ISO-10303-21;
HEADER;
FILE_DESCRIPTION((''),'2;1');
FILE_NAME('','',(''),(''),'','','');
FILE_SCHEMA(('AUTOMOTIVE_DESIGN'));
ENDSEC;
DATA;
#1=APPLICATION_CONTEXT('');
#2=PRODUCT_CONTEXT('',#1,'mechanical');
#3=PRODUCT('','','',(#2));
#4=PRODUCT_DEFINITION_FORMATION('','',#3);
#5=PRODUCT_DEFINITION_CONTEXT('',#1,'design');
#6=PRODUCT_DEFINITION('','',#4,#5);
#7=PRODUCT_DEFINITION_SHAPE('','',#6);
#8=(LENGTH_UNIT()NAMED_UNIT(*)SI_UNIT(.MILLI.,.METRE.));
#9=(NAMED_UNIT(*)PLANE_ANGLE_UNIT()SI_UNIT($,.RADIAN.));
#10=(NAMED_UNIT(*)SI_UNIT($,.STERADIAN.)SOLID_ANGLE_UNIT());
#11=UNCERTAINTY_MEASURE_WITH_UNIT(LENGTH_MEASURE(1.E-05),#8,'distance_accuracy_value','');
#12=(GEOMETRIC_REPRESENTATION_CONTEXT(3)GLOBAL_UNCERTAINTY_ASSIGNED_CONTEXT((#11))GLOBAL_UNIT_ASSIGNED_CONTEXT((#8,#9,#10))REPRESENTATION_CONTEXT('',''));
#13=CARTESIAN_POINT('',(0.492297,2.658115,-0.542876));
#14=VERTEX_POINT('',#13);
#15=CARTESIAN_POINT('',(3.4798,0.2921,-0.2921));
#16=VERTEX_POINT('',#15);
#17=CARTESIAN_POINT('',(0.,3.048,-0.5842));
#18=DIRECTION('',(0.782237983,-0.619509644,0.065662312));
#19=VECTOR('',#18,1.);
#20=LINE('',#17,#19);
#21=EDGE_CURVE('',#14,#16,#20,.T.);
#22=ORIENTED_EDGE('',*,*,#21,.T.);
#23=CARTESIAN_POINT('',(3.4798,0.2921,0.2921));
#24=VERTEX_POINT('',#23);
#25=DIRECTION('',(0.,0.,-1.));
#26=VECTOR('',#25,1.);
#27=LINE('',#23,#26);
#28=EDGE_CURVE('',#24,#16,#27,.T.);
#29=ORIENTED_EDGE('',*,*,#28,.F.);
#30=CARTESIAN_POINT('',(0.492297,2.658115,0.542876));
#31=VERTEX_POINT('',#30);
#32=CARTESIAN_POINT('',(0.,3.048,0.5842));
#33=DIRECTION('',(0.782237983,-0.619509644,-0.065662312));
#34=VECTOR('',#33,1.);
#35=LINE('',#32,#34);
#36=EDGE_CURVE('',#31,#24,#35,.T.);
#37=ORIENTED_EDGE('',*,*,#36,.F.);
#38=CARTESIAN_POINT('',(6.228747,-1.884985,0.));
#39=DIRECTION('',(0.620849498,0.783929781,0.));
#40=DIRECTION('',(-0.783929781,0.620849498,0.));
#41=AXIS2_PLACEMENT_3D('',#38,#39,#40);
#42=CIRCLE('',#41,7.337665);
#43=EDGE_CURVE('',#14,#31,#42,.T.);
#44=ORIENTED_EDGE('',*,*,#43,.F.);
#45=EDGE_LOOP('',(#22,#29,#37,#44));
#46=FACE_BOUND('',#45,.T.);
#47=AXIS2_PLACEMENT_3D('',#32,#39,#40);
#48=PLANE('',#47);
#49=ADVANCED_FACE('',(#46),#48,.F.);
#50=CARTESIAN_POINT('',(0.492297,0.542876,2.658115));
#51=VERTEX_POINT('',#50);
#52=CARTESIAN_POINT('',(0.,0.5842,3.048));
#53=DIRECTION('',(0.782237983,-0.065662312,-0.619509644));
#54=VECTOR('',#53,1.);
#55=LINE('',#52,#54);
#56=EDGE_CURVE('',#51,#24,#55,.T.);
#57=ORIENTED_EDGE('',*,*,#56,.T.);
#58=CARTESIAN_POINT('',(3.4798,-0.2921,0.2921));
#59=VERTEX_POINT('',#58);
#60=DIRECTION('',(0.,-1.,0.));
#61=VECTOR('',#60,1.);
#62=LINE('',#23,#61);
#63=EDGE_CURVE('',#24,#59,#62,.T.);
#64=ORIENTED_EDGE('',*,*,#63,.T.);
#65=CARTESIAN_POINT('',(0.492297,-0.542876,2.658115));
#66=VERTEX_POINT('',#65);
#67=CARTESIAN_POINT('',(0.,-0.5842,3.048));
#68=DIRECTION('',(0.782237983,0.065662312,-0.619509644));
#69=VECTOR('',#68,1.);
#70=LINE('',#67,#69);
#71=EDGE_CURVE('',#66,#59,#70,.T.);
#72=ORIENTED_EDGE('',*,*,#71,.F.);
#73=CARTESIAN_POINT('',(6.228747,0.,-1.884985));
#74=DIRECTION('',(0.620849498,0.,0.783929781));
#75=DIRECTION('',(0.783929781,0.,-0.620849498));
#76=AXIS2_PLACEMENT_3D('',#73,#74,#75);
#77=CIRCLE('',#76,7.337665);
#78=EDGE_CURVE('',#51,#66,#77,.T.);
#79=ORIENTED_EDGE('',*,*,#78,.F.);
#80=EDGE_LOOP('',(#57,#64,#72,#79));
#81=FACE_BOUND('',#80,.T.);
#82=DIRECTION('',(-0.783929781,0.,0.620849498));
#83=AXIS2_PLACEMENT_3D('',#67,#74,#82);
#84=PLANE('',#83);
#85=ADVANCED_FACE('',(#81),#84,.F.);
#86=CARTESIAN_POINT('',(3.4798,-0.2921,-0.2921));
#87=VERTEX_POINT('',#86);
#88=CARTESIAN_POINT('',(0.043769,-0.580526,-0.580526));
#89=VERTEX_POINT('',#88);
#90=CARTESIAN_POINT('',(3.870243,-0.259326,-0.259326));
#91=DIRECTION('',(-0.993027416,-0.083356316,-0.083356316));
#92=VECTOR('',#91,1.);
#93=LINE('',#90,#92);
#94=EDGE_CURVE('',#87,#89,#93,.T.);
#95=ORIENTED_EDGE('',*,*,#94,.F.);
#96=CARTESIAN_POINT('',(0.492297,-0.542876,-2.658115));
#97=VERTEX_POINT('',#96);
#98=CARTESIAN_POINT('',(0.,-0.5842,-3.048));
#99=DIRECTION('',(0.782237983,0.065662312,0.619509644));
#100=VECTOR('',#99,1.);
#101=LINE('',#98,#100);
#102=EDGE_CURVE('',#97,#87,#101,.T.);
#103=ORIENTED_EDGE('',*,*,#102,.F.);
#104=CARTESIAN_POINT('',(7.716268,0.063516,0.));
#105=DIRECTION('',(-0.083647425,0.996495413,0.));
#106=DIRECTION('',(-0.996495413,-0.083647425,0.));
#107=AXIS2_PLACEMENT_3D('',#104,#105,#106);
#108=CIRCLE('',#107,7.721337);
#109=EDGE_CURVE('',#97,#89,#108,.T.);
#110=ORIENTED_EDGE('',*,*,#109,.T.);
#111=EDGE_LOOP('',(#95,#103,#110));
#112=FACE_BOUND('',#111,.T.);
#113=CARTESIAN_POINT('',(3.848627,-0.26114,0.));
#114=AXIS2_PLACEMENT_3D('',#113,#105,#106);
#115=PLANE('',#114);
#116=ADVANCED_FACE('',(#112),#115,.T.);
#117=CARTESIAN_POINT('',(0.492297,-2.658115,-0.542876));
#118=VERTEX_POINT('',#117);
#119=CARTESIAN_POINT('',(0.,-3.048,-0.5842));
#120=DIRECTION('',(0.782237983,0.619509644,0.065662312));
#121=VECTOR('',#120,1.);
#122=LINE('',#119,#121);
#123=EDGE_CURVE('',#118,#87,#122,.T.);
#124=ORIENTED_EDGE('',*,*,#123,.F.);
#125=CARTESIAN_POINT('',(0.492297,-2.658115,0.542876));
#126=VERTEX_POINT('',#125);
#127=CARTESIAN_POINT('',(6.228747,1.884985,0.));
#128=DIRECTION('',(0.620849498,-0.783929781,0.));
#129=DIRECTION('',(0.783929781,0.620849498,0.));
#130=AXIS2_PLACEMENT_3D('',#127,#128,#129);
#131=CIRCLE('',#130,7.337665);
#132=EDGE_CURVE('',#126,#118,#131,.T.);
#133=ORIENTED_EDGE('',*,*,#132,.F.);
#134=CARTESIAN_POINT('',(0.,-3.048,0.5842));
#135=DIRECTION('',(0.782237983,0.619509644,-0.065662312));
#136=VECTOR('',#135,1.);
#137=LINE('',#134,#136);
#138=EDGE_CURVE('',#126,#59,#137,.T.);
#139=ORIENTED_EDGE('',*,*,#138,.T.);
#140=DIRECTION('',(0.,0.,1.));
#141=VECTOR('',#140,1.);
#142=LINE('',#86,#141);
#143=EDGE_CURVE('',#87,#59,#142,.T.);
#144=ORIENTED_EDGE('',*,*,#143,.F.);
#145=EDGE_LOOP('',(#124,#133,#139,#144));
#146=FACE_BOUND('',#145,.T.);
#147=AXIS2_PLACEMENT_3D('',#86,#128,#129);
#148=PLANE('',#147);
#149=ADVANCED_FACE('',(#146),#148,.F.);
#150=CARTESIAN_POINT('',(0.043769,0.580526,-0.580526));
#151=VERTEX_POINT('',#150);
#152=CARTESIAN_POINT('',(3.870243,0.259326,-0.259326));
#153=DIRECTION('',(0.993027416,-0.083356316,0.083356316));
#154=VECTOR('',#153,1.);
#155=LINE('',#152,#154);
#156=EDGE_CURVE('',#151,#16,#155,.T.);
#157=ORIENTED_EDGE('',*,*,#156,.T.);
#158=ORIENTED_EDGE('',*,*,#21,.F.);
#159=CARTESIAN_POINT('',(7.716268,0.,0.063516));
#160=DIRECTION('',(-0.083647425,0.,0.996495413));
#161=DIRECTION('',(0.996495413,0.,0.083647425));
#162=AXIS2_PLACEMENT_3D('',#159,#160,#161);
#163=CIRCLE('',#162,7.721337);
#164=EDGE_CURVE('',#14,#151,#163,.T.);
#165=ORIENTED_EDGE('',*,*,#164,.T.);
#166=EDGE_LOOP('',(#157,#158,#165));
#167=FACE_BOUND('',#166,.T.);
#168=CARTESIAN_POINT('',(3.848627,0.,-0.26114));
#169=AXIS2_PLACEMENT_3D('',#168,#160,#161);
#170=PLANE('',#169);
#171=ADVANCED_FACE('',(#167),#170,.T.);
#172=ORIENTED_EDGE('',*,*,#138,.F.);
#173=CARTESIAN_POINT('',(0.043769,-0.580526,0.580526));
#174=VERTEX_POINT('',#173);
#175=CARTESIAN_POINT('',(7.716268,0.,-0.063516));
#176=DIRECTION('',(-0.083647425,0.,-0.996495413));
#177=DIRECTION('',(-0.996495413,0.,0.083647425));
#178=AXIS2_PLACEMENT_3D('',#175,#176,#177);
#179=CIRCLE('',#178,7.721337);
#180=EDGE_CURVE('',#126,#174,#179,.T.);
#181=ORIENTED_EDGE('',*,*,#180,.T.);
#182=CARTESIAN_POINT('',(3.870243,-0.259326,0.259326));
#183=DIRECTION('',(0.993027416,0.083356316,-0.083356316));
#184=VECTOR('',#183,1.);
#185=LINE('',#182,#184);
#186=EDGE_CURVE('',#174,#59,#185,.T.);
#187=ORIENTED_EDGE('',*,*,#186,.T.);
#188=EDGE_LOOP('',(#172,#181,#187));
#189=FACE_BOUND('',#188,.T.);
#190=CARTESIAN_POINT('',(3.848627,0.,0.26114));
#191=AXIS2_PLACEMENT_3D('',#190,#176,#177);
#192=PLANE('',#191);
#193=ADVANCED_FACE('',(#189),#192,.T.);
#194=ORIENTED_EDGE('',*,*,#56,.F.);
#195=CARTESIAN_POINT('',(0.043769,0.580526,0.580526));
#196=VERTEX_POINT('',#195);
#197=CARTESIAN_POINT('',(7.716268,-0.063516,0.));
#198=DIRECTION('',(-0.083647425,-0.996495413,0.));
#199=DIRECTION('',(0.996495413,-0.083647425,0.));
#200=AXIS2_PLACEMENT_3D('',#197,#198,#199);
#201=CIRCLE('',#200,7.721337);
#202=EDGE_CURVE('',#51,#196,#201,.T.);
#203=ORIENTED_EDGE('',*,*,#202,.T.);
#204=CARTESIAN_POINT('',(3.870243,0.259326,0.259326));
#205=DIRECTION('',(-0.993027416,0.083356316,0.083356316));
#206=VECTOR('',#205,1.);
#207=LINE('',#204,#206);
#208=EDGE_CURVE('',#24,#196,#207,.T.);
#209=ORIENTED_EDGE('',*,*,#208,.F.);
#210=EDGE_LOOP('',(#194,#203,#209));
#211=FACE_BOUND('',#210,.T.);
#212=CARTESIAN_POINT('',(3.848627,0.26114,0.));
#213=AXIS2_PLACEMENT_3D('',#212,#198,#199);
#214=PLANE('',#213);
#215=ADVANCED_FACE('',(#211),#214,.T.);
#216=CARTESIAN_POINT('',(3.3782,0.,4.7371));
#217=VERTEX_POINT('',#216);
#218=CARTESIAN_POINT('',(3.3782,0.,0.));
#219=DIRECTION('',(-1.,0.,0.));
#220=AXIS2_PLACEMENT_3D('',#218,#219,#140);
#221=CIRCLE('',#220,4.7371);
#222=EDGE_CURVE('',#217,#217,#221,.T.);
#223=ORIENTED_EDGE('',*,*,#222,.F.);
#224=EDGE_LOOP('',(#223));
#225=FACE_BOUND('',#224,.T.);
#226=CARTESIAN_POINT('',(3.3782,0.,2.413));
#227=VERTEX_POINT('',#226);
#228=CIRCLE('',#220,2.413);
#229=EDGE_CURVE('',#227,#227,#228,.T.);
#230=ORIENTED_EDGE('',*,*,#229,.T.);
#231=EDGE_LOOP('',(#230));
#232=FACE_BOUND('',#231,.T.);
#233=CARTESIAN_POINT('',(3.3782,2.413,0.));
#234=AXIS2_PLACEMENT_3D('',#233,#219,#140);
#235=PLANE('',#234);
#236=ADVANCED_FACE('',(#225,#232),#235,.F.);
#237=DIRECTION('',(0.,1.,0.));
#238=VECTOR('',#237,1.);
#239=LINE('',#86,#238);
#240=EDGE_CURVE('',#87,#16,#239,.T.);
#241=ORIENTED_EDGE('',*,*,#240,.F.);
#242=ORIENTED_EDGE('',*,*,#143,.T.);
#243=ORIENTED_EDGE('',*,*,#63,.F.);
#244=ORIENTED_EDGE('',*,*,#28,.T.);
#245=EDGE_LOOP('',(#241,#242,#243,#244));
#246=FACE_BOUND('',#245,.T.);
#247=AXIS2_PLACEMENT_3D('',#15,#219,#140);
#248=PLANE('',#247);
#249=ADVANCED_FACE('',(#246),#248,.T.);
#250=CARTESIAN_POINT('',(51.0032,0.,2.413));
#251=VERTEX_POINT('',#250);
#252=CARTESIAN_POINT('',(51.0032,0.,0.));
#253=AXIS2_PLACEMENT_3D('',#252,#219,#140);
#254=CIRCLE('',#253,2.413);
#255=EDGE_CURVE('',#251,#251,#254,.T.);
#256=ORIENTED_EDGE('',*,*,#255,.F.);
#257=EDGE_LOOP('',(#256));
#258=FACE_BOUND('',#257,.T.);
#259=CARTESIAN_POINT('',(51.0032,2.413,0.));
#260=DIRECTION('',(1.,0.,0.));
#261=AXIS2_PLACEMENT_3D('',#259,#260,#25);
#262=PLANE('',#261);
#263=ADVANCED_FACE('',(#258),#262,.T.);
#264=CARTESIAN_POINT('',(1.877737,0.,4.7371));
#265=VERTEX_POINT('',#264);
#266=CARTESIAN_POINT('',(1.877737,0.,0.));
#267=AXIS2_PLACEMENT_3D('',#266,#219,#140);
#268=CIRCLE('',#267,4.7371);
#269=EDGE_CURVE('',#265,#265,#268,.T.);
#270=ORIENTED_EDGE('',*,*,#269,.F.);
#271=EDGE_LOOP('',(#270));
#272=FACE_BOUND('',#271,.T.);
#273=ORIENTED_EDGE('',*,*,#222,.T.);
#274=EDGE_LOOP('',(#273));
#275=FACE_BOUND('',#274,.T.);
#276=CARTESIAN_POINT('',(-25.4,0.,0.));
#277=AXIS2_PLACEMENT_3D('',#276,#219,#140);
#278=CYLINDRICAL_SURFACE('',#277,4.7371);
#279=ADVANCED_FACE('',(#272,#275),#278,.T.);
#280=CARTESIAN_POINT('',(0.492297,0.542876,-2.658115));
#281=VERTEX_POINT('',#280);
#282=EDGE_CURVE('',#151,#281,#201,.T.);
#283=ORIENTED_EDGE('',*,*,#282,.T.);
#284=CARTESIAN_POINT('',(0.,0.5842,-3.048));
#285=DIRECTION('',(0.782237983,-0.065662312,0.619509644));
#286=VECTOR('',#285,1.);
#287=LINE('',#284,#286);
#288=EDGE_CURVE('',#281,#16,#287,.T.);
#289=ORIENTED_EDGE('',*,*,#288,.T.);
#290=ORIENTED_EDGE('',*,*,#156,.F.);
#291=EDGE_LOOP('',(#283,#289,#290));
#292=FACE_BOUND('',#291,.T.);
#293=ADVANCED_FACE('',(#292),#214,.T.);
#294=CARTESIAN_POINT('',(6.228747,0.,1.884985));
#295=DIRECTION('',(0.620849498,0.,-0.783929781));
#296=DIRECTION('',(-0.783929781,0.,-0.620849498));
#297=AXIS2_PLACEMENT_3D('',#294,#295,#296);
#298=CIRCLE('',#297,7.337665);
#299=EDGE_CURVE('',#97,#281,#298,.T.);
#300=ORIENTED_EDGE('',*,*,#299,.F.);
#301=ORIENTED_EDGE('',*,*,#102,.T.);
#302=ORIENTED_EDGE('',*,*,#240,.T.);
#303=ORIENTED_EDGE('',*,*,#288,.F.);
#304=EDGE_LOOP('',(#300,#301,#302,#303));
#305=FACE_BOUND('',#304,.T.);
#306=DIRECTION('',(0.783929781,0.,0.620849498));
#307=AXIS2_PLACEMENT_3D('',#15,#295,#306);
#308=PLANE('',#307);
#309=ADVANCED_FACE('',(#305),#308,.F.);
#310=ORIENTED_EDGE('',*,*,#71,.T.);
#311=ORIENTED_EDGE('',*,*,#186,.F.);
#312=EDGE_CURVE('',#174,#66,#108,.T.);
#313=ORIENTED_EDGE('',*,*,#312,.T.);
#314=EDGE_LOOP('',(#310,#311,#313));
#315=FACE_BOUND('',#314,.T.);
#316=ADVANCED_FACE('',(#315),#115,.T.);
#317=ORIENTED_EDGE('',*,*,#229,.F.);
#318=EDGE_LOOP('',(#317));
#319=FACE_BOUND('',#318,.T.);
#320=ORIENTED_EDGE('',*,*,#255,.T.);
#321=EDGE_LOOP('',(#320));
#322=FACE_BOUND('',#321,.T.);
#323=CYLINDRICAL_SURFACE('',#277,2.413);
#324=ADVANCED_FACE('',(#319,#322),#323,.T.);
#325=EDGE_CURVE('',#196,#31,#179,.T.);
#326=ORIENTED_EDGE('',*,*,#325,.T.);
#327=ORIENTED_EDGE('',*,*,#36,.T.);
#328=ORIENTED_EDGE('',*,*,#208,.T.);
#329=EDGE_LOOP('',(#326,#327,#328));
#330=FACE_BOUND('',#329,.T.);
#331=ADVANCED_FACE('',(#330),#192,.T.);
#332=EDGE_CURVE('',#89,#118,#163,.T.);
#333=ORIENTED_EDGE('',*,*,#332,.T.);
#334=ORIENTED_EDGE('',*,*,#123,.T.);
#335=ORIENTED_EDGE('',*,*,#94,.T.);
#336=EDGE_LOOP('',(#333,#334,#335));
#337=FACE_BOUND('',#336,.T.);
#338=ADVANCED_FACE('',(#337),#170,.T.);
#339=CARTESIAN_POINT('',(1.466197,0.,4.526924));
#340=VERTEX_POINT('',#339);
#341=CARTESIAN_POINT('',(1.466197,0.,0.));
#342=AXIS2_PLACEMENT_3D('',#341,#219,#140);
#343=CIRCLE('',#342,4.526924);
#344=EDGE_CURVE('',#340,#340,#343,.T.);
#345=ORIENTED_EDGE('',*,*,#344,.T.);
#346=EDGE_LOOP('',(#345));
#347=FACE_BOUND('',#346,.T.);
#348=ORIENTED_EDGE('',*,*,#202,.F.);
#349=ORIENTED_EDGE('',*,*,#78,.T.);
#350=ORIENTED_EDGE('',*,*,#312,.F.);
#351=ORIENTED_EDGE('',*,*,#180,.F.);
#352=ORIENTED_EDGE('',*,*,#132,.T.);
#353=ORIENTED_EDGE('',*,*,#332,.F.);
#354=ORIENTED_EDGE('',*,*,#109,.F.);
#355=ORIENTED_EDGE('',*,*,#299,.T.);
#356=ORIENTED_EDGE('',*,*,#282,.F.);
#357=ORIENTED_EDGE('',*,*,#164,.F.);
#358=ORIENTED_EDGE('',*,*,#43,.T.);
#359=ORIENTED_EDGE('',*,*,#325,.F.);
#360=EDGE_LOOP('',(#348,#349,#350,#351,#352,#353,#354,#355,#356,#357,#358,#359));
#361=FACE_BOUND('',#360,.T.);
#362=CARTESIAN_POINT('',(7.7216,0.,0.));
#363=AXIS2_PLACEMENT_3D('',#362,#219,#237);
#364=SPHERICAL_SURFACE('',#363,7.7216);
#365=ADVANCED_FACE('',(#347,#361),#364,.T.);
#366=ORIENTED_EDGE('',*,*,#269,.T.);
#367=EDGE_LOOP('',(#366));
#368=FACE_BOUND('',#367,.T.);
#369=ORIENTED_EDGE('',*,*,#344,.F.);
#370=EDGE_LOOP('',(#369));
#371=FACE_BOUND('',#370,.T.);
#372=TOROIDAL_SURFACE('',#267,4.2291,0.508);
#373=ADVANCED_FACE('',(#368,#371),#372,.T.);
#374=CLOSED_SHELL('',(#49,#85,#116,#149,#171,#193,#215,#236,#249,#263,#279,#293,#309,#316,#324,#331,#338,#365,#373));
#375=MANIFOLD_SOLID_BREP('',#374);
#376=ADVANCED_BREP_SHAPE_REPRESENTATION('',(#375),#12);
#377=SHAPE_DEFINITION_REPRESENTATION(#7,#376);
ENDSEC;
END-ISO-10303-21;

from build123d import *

# Parameters (mm, degrees)
SKETCH3_W         = 1.1684
SKETCH3_H         = 6.096
SKETCH4_W         = 0.5842
SKETCH4_H         = 0.5842
CIRPATTERN1_COUNT = 2
CIRPATTERN1_ANGLE = 90


with BuildPart() as part:
    # BodySke → Base-Revolve (revolve)
    with BuildSketch(Plane.XY):
        with BuildLine():
            Line((3.3782, 2.413), (3.3782, 4.7371))
            Line((3.3782, 4.7371), (1.87773671, 4.7371))
            ThreePointArc((1.87773671, 4.7371), (1.646685378, 4.681514944), (1.466197042, 4.526923944))
            ThreePointArc((1.466197042, 4.526923944), (0.375688687, 2.379221204), (0, 0))
            Line((0, 0), (51.0032, 0))
            Line((51.0032, 0), (51.0032, 2.413))
            Line((51.0032, 2.413), (3.3782, 2.413))
        make_face()
    revolve(axis=Axis((-25.4, 0, 0), (1, 0, 0)))

    # Sketch3 → Cut-Loft1 section 0
    with BuildSketch(Plane(origin=(0, 0, 0), x_dir=(0, 0, -1), z_dir=(1, 0, 0))):
        Rectangle(SKETCH3_W, SKETCH3_H)
    # Sketch4 → Cut-Loft1 section 1
    with BuildSketch(Plane(origin=(3.4798, 0, 0), x_dir=(0, 0, -1), z_dir=(1, 0, 0))):
        Rectangle(SKETCH4_W, SKETCH4_H)
    cut_loft1 = loft(mode=Mode.SUBTRACT)

    # CirPattern1: Cut-Loft1 ×2 about axis
    cirpattern1_axis = Axis((0, 0, 0), (1, 0, 0))
    for i in range(1, CIRPATTERN1_COUNT):
        add(cut_loft1.rotate(cirpattern1_axis, i * CIRPATTERN1_ANGLE / (CIRPATTERN1_COUNT - 1)), mode=Mode.SUBTRACT)


solid = part.part
